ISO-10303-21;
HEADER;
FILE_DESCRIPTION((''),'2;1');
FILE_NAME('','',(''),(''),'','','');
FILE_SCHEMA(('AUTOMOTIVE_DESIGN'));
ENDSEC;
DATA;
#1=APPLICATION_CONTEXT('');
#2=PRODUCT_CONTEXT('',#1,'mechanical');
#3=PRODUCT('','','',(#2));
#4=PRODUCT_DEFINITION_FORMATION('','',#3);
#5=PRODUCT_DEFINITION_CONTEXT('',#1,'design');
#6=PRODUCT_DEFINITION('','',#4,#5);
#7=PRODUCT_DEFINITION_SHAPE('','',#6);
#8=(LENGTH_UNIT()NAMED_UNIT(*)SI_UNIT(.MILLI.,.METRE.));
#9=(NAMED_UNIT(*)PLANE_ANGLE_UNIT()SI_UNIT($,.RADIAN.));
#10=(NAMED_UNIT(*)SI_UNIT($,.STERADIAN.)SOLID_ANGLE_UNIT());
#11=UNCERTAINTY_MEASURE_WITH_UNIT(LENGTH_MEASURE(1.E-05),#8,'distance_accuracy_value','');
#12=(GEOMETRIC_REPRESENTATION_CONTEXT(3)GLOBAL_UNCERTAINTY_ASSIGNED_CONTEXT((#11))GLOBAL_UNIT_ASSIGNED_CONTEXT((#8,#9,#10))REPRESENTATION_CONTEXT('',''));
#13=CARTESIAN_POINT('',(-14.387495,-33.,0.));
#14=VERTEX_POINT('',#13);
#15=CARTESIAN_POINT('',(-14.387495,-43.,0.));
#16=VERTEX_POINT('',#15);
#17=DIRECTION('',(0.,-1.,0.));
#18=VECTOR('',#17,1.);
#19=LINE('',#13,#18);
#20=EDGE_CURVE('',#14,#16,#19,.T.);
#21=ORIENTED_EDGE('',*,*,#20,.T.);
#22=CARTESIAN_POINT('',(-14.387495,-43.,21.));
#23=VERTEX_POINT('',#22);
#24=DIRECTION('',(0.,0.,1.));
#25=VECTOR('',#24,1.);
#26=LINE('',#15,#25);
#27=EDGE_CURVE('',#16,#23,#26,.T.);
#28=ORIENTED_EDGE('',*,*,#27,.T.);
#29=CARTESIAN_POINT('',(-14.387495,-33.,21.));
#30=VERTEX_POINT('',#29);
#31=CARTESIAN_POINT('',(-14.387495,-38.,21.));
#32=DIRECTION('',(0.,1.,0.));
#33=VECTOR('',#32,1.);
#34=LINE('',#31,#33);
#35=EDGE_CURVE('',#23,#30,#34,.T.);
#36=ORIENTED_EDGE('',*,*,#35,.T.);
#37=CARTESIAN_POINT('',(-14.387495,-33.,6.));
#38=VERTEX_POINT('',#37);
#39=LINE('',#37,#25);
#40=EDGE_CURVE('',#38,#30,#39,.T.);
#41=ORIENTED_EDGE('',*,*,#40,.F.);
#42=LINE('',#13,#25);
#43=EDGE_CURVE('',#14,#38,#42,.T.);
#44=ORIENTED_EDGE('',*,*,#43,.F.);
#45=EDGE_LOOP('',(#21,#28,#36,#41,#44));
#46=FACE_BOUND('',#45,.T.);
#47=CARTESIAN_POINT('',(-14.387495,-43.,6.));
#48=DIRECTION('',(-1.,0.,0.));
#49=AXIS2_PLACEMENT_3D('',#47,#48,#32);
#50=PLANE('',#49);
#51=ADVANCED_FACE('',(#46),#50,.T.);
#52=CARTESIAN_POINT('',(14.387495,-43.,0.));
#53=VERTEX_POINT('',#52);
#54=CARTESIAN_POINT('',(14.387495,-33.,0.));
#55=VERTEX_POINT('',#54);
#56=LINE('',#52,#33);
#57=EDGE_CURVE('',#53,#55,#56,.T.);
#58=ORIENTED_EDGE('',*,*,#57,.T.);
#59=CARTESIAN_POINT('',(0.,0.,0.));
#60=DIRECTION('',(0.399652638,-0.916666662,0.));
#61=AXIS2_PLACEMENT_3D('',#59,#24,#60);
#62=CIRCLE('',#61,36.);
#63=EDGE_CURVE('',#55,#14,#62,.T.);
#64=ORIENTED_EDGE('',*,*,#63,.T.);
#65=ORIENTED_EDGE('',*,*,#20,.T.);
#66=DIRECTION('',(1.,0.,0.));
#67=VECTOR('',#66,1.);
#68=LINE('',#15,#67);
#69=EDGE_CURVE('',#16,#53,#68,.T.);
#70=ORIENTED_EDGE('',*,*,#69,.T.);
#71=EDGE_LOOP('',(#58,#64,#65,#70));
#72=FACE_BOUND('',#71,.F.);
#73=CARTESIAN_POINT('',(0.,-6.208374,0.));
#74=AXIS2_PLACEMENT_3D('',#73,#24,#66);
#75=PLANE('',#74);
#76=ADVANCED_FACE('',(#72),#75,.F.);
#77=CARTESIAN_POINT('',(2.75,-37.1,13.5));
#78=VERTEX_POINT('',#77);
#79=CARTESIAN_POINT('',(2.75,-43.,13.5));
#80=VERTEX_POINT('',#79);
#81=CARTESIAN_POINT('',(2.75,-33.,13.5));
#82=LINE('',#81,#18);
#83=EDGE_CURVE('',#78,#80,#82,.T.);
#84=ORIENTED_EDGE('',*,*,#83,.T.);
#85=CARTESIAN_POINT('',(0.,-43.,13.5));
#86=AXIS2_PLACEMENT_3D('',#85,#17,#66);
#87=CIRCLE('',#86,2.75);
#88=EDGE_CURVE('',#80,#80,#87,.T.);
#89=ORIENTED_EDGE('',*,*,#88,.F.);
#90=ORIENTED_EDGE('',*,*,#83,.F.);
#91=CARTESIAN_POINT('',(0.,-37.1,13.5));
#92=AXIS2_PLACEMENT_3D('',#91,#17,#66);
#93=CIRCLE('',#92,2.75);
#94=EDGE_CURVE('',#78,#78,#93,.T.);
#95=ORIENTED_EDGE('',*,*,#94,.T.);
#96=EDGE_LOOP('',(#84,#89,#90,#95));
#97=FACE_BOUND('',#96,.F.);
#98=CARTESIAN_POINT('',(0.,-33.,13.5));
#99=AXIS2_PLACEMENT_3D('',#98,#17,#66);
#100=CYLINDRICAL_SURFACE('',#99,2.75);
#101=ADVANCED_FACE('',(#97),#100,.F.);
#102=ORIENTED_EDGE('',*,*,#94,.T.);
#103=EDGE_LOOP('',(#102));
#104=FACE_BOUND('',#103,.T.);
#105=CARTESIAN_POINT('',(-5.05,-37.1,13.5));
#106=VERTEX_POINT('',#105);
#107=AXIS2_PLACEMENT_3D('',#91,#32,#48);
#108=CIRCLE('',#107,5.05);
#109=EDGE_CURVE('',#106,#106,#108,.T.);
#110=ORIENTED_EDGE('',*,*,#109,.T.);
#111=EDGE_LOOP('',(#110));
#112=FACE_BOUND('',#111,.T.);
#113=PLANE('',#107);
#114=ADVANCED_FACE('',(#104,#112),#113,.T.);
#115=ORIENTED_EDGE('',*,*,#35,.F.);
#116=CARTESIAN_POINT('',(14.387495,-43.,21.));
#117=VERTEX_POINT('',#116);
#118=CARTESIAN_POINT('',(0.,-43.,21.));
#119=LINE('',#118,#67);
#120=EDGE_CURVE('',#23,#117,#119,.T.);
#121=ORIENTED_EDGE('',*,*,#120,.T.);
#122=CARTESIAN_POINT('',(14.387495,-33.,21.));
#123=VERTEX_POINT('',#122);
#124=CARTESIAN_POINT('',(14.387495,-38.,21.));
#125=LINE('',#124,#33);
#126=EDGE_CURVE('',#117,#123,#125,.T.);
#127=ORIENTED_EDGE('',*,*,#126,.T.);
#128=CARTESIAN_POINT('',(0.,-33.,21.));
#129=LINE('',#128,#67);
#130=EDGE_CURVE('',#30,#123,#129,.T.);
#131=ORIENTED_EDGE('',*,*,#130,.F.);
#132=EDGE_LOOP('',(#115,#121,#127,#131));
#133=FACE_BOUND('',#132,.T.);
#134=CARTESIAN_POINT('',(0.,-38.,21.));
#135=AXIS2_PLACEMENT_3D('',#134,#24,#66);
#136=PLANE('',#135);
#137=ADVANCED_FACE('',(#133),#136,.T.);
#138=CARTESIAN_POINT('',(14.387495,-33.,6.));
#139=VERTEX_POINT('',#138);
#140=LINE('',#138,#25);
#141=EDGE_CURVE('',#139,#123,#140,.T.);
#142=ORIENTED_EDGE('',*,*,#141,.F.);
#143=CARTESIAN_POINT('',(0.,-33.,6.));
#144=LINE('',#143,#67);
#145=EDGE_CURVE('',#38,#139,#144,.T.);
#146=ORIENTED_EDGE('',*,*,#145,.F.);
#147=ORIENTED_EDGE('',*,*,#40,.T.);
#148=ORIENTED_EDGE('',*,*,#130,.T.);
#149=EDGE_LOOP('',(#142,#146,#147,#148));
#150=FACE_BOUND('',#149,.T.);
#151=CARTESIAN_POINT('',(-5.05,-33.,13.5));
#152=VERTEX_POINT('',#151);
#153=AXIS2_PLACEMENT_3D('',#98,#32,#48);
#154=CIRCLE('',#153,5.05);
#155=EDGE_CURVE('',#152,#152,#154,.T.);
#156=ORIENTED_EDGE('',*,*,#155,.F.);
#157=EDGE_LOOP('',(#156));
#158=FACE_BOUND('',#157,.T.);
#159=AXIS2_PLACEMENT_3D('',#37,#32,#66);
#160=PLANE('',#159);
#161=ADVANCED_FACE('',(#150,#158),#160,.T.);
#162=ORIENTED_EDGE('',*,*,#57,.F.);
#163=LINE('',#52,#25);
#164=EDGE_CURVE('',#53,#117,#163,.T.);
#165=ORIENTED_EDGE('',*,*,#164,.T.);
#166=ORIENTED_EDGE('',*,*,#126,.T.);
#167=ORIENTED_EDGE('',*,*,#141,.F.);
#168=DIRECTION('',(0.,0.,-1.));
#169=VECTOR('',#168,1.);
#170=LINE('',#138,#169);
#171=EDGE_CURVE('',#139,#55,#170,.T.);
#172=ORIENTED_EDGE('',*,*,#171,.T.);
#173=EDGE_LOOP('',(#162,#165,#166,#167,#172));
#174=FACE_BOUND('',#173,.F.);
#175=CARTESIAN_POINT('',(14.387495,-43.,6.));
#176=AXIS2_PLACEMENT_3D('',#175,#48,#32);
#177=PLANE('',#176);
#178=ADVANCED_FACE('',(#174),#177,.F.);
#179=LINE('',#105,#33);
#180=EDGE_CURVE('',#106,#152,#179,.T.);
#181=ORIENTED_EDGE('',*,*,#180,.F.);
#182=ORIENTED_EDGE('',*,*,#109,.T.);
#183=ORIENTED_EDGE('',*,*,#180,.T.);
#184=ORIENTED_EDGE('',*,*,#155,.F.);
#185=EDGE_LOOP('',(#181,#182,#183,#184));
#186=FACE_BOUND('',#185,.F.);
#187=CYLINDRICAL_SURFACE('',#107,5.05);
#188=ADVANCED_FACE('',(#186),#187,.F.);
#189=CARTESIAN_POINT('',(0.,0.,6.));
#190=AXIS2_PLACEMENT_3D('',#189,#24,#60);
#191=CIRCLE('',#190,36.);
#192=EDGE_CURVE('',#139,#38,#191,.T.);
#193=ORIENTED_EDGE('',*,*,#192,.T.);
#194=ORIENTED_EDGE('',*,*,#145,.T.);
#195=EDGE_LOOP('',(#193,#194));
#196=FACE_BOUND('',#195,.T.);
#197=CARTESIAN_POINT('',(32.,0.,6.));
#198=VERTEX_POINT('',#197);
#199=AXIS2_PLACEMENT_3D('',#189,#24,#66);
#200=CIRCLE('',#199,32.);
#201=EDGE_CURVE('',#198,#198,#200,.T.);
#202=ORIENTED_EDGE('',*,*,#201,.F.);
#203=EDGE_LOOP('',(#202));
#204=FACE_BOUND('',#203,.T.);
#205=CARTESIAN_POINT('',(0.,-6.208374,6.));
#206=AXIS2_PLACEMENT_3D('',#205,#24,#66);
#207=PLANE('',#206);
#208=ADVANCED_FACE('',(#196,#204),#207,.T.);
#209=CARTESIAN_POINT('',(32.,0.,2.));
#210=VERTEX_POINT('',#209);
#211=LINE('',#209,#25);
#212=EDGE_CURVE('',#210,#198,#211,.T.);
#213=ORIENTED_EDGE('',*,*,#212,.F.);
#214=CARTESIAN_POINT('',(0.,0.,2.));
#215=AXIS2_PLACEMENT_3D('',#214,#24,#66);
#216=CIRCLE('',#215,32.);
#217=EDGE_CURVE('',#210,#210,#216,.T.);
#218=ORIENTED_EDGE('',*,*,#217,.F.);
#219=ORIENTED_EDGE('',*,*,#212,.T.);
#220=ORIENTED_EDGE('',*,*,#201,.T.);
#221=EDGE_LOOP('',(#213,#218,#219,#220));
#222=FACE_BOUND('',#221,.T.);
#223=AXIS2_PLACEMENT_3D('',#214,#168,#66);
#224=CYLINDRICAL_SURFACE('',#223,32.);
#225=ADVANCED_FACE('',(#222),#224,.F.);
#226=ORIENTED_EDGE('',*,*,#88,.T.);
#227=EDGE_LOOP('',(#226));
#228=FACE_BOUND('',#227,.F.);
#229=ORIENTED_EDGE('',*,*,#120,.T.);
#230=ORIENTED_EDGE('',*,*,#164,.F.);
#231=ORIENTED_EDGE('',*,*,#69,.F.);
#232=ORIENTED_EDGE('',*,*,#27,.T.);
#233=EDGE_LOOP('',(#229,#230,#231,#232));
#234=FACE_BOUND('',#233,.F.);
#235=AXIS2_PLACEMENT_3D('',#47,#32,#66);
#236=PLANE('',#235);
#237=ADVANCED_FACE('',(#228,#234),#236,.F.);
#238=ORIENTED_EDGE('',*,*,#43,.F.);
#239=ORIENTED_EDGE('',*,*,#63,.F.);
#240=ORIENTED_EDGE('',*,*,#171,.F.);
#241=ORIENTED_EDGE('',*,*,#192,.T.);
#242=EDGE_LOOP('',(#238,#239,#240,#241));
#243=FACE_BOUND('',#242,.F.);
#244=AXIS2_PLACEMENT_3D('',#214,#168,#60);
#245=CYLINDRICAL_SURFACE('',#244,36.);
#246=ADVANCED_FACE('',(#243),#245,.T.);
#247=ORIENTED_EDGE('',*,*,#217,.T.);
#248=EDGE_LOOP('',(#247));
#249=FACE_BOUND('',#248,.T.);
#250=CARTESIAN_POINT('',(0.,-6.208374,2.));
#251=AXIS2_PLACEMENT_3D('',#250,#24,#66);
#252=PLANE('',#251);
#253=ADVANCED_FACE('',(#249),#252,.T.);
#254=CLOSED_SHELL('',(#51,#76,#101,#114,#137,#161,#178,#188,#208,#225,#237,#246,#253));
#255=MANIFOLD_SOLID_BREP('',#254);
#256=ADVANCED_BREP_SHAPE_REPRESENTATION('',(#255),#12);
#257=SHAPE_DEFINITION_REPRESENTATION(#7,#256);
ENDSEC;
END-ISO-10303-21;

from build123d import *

# Parameters (mm, degrees)
PAD_DEPTH        = 2
SKETCH001_R      = 32
PAD001_DEPTH     = 4
SKETCH002_W      = 28.77499
SKETCH002_H      = 10
PAD002_DEPTH     = 15
HOLE_D           = 5.5
HOLE_DEPTH       = 25
HOLE_CBORE_D     = 10.1
HOLE_CBORE_DEPTH = 4.1


with BuildPart() as part:
    # Sketch → Pad (new body)
    with BuildSketch(Plane.XY):
        with BuildLine():
            ThreePointArc((14.387495, -33), (0, 36), (-14.387495, -33))
            Line((-14.387495, -33), (-14.387495, -43))
            Line((-14.387495, -43), (14.387495, -43))
            Line((14.387495, -43), (14.387495, -33))
        make_face()
    extrude(amount=PAD_DEPTH)

    # Sketch001 (on Face6 of Pad) → Pad001 (join)
    with BuildSketch(Plane.XY.offset(2)):
        with BuildLine():
            ThreePointArc((14.387495, -33), (0, 36), (-14.387495, -33))
            Line((-14.387495, -33), (-14.387495, -43))
            Line((-14.387495, -43), (14.387495, -43))
            Line((14.387495, -43), (14.387495, -33))
        make_face()
        Circle(SKETCH001_R, mode=Mode.SUBTRACT)
    extrude(amount=PAD001_DEPTH)

    # Sketch002 (on Face9 of Pad001) → Pad002 (join)
    with BuildSketch(Plane.XY.offset(6)):
        with Locations((0, -38)):
            Rectangle(SKETCH002_W, SKETCH002_H)
    extrude(amount=PAD002_DEPTH)

    # Hole
    with Locations(Plane(origin=(0, -33, 0), x_dir=(-1, 0, 0), z_dir=(0, 1, 0))):
        with Locations((0, 13.5)):
            CounterBoreHole(HOLE_D / 2, HOLE_CBORE_D / 2, HOLE_CBORE_DEPTH, depth=HOLE_DEPTH)


solid = part.part
